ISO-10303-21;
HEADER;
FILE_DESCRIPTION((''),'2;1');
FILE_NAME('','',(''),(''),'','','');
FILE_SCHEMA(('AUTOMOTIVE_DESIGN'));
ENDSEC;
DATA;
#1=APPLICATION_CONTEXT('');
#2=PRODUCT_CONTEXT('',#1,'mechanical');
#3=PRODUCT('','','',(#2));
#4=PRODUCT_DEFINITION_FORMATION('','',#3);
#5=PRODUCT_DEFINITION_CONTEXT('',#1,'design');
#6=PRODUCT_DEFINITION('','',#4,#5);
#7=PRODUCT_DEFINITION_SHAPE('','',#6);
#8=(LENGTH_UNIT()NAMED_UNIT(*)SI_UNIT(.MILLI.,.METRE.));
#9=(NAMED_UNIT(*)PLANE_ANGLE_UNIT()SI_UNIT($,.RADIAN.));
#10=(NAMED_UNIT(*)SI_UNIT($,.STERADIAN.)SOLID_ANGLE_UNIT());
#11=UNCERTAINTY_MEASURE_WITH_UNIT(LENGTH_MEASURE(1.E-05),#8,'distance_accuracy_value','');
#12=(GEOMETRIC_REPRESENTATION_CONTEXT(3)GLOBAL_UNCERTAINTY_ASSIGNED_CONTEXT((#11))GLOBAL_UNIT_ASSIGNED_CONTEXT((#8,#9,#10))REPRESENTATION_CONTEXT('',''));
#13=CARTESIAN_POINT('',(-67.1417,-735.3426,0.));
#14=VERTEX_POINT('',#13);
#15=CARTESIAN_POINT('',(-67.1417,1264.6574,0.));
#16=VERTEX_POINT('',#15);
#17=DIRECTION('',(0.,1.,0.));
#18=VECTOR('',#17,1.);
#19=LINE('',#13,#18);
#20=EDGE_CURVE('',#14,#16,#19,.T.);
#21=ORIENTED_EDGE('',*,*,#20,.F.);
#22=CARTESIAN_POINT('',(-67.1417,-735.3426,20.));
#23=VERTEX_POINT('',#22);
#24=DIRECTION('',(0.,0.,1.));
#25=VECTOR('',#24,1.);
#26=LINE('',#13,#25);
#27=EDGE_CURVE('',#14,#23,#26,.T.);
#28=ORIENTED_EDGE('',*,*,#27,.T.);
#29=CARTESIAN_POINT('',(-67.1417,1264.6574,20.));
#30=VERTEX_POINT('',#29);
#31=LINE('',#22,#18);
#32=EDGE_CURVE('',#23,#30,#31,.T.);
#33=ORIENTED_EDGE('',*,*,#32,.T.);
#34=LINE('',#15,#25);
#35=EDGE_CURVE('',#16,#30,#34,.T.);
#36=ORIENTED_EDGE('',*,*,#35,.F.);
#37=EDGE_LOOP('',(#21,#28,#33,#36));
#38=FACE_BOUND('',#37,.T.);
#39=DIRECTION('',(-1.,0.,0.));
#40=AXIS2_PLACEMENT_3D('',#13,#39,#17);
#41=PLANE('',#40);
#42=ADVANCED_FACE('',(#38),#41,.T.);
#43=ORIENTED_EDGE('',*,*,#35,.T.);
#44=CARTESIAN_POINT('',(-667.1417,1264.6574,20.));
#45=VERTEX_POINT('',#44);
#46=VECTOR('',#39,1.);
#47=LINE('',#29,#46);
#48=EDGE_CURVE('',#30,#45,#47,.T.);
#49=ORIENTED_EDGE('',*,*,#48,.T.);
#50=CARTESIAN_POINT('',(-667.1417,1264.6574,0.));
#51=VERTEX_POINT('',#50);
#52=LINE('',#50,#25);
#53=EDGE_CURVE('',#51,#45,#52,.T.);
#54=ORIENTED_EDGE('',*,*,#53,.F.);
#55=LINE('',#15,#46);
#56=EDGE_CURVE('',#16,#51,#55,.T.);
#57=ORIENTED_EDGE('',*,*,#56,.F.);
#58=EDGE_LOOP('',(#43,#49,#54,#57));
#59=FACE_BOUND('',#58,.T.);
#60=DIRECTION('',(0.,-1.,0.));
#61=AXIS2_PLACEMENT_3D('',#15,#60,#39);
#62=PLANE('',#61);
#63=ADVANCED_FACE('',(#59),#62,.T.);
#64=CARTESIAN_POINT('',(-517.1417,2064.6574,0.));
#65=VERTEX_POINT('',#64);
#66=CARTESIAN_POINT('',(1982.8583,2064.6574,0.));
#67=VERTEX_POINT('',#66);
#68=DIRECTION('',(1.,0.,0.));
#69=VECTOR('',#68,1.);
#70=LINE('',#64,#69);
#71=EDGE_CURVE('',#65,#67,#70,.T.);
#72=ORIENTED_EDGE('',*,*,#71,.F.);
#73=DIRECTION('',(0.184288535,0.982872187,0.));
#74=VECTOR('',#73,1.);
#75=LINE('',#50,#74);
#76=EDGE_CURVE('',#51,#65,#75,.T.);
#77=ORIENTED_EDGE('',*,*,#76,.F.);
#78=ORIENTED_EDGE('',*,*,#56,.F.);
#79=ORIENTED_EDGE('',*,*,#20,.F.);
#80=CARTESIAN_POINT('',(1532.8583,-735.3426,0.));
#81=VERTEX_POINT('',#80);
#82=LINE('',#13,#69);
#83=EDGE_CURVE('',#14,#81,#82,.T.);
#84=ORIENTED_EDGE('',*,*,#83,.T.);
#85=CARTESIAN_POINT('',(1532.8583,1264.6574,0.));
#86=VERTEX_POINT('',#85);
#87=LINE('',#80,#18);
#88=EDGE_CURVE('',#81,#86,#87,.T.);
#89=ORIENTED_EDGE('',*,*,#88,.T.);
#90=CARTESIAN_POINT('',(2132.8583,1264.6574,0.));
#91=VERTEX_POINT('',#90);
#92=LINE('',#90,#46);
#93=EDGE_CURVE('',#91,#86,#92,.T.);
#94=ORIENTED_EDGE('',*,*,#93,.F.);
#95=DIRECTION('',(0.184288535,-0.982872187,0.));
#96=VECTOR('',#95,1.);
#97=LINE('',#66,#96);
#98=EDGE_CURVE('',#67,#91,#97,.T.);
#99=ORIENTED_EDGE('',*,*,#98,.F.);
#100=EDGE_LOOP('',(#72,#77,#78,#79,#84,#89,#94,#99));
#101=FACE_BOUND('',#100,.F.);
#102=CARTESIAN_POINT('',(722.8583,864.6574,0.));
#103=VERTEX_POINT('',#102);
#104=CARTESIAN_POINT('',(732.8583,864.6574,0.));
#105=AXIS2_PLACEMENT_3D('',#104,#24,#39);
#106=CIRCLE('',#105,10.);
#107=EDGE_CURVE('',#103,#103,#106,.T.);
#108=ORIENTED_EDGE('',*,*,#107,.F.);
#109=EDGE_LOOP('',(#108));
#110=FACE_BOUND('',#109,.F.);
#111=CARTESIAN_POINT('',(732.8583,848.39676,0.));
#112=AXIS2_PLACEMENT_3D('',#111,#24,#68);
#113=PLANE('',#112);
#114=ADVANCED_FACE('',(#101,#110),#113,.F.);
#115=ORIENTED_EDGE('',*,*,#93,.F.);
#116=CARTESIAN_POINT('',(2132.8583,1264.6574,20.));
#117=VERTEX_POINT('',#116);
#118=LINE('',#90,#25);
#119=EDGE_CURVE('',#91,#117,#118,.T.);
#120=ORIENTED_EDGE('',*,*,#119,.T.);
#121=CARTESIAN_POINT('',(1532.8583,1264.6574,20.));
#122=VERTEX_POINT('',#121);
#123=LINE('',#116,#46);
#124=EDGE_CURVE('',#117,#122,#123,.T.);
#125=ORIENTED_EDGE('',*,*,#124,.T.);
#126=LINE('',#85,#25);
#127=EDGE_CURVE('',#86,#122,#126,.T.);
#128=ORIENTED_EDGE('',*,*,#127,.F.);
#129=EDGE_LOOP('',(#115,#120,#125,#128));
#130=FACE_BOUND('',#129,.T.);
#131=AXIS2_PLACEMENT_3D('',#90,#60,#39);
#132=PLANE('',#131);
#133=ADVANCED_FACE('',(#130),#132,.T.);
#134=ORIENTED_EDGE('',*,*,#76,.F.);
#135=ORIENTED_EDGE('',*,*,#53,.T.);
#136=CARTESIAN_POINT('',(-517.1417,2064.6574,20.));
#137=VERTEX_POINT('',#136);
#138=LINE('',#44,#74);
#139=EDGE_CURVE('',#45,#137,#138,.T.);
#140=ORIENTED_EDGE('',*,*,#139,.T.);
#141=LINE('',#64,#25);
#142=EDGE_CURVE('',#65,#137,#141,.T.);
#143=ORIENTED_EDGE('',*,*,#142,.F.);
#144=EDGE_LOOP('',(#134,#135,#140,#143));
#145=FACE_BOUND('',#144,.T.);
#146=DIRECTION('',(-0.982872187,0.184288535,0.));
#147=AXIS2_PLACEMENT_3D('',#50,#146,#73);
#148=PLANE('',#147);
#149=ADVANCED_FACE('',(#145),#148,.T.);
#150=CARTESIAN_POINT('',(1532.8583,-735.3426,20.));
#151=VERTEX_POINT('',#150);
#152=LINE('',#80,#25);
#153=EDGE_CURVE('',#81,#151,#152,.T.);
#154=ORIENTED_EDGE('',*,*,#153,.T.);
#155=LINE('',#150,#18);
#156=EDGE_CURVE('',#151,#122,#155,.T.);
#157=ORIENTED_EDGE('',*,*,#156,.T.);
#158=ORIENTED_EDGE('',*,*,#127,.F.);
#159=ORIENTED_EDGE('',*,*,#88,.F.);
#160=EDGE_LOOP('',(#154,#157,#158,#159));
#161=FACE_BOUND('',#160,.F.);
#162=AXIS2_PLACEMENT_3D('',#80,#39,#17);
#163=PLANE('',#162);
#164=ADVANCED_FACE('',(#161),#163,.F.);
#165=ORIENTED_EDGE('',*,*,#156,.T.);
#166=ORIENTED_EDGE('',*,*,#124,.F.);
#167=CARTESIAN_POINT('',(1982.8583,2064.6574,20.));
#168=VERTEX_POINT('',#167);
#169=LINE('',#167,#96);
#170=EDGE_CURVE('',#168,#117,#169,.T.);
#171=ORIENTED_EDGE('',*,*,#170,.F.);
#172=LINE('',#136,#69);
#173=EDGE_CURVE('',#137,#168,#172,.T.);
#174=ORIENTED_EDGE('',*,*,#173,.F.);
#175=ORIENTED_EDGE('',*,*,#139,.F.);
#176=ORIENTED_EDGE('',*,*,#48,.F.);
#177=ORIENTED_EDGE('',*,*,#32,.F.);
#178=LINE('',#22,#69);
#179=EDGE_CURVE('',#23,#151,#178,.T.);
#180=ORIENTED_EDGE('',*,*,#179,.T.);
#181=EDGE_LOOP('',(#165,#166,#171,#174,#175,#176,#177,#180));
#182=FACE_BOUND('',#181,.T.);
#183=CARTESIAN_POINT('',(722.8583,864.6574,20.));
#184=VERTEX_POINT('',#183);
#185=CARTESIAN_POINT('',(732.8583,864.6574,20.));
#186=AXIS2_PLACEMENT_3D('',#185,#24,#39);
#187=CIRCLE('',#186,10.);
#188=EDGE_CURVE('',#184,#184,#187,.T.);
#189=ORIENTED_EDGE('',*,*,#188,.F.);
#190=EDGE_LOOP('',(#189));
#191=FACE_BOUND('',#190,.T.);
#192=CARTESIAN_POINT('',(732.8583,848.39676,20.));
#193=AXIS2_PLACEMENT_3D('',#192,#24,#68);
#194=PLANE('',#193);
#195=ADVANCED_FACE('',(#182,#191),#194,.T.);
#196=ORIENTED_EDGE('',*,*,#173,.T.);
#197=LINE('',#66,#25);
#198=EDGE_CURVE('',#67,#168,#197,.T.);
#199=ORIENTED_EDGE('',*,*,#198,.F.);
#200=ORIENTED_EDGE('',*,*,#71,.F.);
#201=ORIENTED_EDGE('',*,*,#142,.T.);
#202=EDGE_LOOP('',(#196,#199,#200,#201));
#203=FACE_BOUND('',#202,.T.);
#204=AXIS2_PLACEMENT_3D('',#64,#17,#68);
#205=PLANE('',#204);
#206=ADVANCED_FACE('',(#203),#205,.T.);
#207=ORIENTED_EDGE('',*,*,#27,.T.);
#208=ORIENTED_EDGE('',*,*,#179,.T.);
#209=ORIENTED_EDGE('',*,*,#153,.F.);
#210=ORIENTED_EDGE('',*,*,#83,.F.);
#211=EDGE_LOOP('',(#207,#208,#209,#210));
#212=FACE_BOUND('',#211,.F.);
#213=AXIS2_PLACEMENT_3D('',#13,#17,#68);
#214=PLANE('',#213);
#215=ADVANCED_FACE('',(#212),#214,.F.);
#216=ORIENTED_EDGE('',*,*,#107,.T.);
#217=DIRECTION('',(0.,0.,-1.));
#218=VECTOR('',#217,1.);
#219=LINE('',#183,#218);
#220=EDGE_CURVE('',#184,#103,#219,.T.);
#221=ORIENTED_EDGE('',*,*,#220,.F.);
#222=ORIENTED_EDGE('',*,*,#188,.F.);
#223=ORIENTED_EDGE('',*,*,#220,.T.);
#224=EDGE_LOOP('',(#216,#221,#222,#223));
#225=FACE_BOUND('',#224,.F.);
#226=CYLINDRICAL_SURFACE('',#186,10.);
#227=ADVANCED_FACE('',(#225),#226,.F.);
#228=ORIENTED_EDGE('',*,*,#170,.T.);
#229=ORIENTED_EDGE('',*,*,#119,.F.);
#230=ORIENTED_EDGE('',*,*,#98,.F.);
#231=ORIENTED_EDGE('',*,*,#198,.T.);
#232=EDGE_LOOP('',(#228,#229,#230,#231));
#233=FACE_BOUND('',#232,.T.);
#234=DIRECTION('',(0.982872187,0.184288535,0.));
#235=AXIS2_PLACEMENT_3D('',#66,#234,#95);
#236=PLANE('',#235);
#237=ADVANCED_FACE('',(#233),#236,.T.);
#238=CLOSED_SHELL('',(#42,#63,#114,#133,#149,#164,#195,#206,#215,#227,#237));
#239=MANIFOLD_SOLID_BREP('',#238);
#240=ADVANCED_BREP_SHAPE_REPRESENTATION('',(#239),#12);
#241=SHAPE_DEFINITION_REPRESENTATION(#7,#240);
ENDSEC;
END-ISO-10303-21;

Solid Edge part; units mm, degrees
sketch "Sketch1" plane through (0, 0, 0) normal (0, 0, 1) x (1, 0, 0)
  line L0 (-67.1417, -735.3426) -> (1532.8583, -735.3426)
  line L1 (1532.8583, -735.3426) -> (1532.8583, 1264.6574)
  line L2 (2132.8583, 1264.6574) -> (1532.8583, 1264.6574)
  line L3 (1982.8583, 2064.6574) -> (2132.8583, 1264.6574)
  line L4 (-517.1417, 2064.6574) -> (1982.8583, 2064.6574)
  line L5 (-667.1417, 1264.6574) -> (-517.1417, 2064.6574)
  line L6 (-67.1417, 1264.6574) -> (-667.1417, 1264.6574)
  line L7 (-67.1417, -735.3426) -> (-67.1417, 1264.6574)
  dimension "D1" = 2500
  dimension "D2" = 1600
  dimension "D3" = 2000
  dimension "D4" = 600
  dimension "D5" = 800
extrude "Protrusion1" add sketch "Sketch1" along normal blind 20
sketch "Sketch2" plane through (732.8583, 664.6574, 20) normal (0, 0, 1) x (-1, 0, 0)
  circle A0 centre (0, -200) radius 10
  dimension "D1" = 1600
extrude "Cutout1" cut sketch "Sketch2" against normal through all
